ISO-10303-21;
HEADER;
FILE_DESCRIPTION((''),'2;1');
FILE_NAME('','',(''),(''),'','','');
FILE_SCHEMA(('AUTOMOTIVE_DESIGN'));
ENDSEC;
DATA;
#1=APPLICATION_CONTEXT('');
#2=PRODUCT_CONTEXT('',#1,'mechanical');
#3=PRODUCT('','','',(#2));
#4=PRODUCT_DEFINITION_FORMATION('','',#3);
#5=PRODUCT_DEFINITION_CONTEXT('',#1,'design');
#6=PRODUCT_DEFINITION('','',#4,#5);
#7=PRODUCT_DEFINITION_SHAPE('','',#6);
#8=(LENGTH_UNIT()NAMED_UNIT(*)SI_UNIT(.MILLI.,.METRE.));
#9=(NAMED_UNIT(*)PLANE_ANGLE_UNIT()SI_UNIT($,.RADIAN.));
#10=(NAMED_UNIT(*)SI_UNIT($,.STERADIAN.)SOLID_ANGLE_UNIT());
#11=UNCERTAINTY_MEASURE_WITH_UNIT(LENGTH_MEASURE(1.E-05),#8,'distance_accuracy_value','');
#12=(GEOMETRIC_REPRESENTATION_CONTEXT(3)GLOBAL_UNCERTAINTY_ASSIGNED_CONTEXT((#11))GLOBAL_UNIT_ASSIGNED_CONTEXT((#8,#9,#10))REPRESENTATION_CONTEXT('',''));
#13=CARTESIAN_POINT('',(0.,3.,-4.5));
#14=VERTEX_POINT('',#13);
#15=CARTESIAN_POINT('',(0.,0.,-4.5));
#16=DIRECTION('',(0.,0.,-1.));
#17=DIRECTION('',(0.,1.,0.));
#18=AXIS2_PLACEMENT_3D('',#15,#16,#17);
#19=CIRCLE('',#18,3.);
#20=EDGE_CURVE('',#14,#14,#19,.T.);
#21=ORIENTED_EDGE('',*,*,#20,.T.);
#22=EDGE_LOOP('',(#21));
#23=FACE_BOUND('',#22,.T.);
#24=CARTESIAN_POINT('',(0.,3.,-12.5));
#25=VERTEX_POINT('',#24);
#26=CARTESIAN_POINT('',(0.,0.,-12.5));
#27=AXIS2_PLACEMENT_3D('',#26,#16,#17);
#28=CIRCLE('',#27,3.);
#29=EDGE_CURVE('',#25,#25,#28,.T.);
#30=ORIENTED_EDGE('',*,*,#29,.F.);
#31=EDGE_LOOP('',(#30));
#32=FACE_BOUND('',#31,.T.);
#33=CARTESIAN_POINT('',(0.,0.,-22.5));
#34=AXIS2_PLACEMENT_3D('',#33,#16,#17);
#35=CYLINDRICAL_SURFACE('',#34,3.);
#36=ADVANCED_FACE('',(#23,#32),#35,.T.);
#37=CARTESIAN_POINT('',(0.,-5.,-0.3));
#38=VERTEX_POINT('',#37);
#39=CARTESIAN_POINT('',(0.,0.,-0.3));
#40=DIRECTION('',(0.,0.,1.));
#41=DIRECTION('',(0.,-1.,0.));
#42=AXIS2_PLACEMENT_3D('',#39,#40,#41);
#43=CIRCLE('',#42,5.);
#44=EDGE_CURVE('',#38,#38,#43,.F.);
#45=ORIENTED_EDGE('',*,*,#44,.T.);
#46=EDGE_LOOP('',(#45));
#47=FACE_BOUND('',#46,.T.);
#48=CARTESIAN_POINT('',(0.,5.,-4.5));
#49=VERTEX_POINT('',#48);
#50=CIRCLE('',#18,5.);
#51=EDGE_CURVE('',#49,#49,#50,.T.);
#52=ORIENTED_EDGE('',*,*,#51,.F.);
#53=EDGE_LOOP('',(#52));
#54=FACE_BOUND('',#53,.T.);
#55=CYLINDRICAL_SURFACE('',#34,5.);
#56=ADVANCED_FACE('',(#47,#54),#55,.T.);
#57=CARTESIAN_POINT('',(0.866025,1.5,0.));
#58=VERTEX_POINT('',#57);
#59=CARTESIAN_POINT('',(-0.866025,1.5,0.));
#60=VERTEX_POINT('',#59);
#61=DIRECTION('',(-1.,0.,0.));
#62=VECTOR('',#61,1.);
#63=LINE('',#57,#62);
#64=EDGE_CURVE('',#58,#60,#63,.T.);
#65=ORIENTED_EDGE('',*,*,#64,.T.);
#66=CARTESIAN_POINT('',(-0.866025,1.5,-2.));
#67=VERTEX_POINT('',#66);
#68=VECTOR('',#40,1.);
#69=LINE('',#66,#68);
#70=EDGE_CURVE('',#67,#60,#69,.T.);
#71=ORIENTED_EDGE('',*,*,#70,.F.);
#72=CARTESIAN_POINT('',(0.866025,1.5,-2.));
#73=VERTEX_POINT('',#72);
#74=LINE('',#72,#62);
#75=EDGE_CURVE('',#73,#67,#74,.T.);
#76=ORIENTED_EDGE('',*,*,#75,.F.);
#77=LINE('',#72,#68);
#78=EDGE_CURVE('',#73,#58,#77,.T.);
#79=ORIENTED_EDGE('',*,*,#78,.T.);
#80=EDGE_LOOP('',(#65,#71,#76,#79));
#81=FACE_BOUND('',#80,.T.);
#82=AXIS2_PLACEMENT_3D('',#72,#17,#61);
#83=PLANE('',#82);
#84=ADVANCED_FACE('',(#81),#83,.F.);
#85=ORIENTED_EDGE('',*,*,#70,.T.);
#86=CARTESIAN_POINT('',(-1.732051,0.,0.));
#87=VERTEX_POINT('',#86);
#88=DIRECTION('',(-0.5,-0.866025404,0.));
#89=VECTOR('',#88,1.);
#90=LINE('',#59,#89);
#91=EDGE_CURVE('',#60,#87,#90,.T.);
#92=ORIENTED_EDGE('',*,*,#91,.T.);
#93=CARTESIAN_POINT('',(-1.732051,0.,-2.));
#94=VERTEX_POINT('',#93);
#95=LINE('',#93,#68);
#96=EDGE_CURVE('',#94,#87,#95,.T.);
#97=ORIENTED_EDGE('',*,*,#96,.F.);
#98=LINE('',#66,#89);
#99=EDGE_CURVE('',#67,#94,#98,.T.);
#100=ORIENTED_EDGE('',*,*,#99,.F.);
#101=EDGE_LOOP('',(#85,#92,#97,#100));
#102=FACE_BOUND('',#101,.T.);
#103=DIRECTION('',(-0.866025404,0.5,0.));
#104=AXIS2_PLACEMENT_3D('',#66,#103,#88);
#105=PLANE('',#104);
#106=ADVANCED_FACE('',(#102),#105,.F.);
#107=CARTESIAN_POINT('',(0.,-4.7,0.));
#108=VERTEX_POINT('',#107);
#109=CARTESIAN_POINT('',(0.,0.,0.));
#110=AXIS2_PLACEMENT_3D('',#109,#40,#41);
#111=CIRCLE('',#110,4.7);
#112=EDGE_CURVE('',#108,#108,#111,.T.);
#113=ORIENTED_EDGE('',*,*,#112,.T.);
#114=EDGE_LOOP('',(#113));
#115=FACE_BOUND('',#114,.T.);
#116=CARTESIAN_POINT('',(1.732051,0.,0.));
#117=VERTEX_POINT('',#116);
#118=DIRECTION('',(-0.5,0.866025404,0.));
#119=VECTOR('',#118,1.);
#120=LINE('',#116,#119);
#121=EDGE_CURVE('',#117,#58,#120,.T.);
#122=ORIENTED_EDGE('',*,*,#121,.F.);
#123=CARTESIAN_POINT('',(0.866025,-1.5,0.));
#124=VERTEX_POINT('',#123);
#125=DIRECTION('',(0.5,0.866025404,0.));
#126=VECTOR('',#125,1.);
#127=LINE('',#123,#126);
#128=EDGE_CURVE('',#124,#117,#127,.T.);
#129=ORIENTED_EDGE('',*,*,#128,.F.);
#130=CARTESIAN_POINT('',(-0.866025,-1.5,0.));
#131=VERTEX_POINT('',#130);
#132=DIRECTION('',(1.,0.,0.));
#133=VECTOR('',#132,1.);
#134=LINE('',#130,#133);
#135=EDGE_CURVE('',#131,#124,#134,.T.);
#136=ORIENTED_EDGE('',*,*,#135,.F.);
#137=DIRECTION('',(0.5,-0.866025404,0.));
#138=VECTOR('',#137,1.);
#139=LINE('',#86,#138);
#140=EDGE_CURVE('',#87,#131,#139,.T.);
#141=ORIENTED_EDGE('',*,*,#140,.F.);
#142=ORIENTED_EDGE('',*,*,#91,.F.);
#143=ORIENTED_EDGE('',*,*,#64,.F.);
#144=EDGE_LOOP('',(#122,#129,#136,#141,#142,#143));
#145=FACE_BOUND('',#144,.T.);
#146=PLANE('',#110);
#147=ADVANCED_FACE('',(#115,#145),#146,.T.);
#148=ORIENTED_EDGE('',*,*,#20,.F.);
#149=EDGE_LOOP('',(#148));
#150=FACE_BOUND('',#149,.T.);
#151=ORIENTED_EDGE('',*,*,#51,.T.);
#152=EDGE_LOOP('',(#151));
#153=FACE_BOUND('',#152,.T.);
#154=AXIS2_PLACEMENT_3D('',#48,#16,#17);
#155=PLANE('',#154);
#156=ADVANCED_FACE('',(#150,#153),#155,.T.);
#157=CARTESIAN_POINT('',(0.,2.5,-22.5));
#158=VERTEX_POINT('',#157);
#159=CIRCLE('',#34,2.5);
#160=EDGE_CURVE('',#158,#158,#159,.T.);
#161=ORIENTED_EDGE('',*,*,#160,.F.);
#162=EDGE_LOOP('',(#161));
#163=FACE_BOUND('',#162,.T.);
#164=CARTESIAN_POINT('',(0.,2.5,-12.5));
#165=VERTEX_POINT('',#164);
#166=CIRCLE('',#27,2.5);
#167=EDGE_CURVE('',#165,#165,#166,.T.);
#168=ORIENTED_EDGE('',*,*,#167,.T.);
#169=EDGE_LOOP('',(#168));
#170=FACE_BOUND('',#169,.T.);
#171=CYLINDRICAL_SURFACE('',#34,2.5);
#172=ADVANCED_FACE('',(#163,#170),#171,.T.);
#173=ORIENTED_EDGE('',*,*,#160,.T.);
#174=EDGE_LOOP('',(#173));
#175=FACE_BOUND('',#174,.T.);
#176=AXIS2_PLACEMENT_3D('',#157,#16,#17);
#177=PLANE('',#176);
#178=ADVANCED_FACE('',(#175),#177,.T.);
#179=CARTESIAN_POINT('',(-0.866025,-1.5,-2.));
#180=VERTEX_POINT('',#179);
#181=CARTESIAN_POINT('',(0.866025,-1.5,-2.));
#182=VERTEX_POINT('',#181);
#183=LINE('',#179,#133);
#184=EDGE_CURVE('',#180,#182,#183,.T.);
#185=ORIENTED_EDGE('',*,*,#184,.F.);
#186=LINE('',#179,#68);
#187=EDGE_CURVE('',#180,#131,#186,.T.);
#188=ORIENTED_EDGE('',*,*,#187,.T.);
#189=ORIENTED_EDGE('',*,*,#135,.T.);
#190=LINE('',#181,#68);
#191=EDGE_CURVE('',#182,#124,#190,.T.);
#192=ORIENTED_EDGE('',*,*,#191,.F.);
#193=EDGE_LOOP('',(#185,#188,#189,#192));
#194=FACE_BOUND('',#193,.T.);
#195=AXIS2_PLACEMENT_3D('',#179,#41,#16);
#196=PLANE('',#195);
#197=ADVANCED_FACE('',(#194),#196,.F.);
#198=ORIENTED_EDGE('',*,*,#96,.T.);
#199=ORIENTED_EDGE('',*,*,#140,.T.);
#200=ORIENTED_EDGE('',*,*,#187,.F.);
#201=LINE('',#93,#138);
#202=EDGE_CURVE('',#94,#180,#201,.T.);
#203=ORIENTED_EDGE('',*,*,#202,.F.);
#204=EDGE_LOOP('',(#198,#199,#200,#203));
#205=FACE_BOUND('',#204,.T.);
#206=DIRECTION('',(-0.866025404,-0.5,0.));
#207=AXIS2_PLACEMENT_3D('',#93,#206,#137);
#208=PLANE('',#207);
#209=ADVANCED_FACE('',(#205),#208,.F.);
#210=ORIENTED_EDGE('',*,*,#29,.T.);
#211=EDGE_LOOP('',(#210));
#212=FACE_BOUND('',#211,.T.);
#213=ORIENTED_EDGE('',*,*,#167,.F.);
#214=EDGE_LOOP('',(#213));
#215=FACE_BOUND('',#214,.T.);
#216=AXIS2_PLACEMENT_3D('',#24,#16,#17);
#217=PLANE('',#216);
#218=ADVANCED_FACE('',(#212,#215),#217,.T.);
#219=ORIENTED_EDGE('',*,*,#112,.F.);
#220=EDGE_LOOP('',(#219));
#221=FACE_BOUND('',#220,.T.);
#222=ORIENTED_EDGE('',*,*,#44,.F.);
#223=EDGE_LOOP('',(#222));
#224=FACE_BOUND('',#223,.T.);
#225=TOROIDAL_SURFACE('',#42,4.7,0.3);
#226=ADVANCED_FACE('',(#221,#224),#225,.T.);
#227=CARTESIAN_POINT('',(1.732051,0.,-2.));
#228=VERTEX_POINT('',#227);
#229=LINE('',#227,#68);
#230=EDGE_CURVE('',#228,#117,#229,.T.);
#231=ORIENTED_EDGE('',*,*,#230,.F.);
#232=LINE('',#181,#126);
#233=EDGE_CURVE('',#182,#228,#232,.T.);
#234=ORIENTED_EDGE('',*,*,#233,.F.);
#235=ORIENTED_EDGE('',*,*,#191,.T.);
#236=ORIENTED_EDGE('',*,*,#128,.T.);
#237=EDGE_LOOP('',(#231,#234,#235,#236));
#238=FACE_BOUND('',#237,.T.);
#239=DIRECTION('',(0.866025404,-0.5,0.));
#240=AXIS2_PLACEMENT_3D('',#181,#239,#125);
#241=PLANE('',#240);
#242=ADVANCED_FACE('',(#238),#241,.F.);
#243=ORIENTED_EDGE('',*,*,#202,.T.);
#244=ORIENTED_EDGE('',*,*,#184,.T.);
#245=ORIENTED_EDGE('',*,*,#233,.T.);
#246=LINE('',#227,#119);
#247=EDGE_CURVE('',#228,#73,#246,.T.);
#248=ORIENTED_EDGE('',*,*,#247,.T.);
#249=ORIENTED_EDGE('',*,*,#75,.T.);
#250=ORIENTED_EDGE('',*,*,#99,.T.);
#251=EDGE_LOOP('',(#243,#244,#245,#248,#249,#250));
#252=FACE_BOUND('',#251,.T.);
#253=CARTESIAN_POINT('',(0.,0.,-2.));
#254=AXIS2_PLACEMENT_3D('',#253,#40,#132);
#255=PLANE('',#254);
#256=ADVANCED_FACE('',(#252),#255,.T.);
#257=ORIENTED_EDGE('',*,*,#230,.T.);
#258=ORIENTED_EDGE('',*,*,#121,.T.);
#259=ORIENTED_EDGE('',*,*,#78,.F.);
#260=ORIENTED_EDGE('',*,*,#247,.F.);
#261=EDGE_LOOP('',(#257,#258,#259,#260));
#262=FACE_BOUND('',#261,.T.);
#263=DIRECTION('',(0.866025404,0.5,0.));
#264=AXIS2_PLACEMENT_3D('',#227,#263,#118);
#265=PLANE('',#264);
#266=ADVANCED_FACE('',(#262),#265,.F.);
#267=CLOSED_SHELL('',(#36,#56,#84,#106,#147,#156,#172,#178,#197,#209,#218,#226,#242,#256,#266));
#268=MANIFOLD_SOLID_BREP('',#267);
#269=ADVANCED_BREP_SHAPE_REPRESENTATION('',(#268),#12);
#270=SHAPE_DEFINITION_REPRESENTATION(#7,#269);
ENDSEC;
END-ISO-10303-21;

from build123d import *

# Parameters (mm, degrees)
CUT_EXTRUDE_1_DEPTH = 2
FILLET_1_R          = 0.3


with BuildPart() as part:
    # 草图1 → 旋转1 (revolve)
    with BuildSketch(Plane(origin=(0, 0, 0), x_dir=(0, 0, -1), z_dir=(1, 0, 0))):
        Polygon((0, 0), (0, 5), (4.5, 5), (4.5, 3), (12.5, 3), (12.5, 2.5), (22.5, 2.5), (22.5, 0), align=None)
    revolve(axis=Axis((0, 0, -22.5), (0, 0, 1)))

    # 草图2 → 切除-拉伸1 (cut)
    with BuildSketch(Plane.XY):
        Polygon((0.866025404, 1.5), (-0.866025404, 1.5), (-1.732050808, 0), (-0.866025404, -1.5), (0.866025404, -1.5), (1.732050808, 0), align=None)
    extrude(amount=-CUT_EXTRUDE_1_DEPTH, mode=Mode.SUBTRACT)

    # 圆角1
    fillet_1_edges = [part.edges().sort_by_distance(p)[0] for p in [
        (0, -5, 0),
    ]]
    fillet(fillet_1_edges, radius=FILLET_1_R)


solid = part.part
